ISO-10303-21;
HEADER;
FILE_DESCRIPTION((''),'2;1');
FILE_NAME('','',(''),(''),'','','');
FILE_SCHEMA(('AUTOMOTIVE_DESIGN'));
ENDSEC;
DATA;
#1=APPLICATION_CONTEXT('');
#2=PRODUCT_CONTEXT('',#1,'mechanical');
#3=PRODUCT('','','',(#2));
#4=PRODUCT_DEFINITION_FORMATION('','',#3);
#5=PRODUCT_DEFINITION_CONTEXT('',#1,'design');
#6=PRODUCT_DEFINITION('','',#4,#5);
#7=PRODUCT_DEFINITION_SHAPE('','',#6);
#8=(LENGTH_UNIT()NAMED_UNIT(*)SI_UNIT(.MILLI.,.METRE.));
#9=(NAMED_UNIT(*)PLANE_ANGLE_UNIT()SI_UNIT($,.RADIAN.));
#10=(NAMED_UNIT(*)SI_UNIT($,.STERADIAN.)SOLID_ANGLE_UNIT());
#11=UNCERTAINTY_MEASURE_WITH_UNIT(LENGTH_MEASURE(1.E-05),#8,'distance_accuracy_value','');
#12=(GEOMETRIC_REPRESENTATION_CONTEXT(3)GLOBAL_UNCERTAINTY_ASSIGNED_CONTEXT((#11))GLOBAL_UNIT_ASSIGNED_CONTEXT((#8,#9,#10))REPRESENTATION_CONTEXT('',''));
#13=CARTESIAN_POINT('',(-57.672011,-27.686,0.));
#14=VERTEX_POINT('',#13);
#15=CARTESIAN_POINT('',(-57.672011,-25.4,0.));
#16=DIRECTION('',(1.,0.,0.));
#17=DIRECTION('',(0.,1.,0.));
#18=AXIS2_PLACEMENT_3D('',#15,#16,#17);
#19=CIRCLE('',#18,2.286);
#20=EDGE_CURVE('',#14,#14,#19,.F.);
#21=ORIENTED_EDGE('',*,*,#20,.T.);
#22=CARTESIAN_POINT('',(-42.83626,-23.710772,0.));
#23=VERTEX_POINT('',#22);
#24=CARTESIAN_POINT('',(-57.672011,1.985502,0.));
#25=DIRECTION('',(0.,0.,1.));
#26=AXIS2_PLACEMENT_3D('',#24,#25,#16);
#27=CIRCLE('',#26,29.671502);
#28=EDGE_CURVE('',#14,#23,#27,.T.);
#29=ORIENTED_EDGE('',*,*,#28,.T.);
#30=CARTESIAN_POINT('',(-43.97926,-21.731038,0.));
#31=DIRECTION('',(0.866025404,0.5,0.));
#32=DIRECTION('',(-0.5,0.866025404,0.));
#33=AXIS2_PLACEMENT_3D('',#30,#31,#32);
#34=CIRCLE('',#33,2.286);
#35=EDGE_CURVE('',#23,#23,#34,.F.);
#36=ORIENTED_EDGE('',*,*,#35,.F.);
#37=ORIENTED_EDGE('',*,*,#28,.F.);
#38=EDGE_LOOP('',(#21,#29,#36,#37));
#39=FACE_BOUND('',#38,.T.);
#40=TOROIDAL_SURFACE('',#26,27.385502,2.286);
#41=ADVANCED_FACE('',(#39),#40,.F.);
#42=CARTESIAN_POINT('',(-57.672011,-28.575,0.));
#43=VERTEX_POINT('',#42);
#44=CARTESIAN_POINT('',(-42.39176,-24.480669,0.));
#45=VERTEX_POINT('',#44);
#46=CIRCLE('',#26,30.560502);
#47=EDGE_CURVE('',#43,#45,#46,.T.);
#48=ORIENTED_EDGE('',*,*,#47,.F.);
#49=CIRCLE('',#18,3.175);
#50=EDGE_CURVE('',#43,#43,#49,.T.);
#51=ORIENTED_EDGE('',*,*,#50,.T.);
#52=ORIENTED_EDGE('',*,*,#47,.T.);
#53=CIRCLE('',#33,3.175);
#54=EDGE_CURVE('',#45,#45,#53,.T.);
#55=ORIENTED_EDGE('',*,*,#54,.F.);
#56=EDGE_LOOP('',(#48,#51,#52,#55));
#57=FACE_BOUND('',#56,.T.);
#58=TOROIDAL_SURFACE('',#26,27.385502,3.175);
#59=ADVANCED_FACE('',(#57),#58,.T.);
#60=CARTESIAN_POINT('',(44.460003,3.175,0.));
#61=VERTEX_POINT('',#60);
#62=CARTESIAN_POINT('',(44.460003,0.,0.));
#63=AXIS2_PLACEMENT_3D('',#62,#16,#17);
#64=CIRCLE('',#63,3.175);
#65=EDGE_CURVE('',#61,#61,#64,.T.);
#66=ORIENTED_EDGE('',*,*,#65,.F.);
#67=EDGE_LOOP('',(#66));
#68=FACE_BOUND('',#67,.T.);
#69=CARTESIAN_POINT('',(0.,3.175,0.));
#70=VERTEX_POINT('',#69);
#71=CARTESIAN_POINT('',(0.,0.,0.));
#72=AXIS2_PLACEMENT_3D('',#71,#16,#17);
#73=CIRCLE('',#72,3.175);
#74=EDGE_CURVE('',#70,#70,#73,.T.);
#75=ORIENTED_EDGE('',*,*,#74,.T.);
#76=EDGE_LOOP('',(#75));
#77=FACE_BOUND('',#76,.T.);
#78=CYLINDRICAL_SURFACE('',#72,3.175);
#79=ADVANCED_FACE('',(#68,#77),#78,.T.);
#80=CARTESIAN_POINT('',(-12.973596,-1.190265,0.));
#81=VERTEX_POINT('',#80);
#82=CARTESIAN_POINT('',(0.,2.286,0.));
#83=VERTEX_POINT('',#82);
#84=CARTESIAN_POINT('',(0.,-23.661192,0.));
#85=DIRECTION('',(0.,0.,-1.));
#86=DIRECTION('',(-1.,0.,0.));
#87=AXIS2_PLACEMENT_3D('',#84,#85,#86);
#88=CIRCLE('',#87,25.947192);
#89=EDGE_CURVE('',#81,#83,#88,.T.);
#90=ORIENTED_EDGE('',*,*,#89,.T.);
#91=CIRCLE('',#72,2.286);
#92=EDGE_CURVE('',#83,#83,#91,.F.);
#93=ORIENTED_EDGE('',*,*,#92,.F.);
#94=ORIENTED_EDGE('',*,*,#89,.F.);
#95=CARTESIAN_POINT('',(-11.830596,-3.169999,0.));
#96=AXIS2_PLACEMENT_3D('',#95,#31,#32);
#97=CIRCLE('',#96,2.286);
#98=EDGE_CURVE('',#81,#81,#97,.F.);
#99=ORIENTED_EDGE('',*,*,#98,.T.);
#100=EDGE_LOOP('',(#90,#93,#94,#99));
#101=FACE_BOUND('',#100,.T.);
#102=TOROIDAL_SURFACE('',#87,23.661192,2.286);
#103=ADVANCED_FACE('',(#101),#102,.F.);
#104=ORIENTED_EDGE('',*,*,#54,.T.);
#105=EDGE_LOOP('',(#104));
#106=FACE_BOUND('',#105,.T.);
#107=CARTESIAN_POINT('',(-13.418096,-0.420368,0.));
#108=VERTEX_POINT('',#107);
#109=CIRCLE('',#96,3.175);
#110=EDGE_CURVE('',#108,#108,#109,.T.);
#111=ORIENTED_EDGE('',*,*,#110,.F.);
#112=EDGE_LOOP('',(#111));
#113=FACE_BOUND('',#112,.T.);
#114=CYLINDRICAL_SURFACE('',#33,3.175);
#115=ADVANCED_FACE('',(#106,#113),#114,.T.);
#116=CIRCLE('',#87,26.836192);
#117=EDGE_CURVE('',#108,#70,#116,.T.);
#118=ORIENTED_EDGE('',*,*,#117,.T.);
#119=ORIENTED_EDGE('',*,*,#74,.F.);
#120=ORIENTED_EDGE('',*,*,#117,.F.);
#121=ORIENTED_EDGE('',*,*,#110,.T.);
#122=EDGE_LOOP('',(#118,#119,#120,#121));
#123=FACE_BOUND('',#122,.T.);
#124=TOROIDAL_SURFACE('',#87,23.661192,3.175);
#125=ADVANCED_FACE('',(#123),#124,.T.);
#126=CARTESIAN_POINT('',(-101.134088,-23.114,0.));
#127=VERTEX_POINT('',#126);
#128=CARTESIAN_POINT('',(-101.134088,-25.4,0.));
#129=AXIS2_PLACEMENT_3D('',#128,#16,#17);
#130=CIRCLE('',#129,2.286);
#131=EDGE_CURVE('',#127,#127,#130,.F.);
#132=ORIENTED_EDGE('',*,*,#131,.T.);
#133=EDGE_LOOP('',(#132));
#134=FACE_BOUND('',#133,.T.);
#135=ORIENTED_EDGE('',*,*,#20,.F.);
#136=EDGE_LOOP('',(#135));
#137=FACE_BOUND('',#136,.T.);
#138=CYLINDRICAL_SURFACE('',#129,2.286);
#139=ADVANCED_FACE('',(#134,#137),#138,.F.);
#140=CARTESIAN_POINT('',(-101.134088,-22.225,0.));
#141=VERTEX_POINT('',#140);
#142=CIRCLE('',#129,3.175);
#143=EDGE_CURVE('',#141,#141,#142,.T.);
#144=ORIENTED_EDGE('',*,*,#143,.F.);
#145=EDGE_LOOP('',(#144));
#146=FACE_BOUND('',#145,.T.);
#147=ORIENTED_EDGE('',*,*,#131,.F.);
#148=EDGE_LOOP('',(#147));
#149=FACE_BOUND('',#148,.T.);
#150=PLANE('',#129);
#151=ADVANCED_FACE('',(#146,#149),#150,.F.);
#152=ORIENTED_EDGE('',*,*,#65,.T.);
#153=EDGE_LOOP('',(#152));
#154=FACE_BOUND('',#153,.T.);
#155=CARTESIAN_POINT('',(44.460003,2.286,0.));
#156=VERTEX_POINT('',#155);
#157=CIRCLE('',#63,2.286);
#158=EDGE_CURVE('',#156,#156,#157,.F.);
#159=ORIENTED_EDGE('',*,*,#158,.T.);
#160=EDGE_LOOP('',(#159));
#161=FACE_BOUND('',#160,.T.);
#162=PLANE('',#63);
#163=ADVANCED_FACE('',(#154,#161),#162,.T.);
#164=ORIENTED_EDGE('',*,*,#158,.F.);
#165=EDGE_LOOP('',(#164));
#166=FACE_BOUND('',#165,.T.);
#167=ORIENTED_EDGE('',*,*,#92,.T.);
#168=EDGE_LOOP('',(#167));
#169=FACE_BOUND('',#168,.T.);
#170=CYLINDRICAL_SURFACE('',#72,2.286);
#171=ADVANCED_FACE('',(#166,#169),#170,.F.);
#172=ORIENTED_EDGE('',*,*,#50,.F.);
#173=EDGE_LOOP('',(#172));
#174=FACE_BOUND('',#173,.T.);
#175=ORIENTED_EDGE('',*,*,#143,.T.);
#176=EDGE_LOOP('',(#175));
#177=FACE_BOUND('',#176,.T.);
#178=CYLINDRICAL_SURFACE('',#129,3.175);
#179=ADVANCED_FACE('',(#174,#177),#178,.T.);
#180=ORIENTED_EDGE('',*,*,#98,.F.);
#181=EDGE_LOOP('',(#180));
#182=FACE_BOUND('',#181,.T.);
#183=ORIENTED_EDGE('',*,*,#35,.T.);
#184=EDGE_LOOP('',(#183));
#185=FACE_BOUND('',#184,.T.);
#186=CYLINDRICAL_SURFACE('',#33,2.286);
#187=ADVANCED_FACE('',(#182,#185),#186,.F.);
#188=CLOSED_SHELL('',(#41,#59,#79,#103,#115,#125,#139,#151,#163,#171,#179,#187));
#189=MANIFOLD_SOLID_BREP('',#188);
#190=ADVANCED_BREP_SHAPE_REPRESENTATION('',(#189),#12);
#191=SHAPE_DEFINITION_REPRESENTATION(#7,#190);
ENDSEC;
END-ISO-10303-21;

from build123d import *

# Parameters (mm, degrees)
SKETCH2_R   = 3.175
SKETCH2_R_2 = 2.286


with BuildPart() as part:
    # Sweep1: sweep along a path in Sketch1
    with BuildLine(Plane.XY) as sweep1_path:
        Line((44.460002734, 0), (0, 0))
        ThreePointArc((0, 0), (-6.123967098, -0.806235564), (-11.830595958, -3.169998633))
        Line((-11.830595958, -3.169998633), (-43.979259883, -21.731038404))
        ThreePointArc((-43.979259883, -21.731038404), (-50.584121448, -24.466861642), (-57.67201097, -25.4))
        Line((-57.67201097, -25.4), (-101.134087778, -25.4))
    # Sketch2 → Sweep1 (sweep)
    with BuildSketch(Plane(origin=(44.460002734, 0, 0), x_dir=(0, 0, -1), z_dir=(1, 0, 0))):
        Circle(SKETCH2_R)
        Circle(SKETCH2_R_2, mode=Mode.SUBTRACT)
    sweep(path=sweep1_path.line)


solid = part.part
